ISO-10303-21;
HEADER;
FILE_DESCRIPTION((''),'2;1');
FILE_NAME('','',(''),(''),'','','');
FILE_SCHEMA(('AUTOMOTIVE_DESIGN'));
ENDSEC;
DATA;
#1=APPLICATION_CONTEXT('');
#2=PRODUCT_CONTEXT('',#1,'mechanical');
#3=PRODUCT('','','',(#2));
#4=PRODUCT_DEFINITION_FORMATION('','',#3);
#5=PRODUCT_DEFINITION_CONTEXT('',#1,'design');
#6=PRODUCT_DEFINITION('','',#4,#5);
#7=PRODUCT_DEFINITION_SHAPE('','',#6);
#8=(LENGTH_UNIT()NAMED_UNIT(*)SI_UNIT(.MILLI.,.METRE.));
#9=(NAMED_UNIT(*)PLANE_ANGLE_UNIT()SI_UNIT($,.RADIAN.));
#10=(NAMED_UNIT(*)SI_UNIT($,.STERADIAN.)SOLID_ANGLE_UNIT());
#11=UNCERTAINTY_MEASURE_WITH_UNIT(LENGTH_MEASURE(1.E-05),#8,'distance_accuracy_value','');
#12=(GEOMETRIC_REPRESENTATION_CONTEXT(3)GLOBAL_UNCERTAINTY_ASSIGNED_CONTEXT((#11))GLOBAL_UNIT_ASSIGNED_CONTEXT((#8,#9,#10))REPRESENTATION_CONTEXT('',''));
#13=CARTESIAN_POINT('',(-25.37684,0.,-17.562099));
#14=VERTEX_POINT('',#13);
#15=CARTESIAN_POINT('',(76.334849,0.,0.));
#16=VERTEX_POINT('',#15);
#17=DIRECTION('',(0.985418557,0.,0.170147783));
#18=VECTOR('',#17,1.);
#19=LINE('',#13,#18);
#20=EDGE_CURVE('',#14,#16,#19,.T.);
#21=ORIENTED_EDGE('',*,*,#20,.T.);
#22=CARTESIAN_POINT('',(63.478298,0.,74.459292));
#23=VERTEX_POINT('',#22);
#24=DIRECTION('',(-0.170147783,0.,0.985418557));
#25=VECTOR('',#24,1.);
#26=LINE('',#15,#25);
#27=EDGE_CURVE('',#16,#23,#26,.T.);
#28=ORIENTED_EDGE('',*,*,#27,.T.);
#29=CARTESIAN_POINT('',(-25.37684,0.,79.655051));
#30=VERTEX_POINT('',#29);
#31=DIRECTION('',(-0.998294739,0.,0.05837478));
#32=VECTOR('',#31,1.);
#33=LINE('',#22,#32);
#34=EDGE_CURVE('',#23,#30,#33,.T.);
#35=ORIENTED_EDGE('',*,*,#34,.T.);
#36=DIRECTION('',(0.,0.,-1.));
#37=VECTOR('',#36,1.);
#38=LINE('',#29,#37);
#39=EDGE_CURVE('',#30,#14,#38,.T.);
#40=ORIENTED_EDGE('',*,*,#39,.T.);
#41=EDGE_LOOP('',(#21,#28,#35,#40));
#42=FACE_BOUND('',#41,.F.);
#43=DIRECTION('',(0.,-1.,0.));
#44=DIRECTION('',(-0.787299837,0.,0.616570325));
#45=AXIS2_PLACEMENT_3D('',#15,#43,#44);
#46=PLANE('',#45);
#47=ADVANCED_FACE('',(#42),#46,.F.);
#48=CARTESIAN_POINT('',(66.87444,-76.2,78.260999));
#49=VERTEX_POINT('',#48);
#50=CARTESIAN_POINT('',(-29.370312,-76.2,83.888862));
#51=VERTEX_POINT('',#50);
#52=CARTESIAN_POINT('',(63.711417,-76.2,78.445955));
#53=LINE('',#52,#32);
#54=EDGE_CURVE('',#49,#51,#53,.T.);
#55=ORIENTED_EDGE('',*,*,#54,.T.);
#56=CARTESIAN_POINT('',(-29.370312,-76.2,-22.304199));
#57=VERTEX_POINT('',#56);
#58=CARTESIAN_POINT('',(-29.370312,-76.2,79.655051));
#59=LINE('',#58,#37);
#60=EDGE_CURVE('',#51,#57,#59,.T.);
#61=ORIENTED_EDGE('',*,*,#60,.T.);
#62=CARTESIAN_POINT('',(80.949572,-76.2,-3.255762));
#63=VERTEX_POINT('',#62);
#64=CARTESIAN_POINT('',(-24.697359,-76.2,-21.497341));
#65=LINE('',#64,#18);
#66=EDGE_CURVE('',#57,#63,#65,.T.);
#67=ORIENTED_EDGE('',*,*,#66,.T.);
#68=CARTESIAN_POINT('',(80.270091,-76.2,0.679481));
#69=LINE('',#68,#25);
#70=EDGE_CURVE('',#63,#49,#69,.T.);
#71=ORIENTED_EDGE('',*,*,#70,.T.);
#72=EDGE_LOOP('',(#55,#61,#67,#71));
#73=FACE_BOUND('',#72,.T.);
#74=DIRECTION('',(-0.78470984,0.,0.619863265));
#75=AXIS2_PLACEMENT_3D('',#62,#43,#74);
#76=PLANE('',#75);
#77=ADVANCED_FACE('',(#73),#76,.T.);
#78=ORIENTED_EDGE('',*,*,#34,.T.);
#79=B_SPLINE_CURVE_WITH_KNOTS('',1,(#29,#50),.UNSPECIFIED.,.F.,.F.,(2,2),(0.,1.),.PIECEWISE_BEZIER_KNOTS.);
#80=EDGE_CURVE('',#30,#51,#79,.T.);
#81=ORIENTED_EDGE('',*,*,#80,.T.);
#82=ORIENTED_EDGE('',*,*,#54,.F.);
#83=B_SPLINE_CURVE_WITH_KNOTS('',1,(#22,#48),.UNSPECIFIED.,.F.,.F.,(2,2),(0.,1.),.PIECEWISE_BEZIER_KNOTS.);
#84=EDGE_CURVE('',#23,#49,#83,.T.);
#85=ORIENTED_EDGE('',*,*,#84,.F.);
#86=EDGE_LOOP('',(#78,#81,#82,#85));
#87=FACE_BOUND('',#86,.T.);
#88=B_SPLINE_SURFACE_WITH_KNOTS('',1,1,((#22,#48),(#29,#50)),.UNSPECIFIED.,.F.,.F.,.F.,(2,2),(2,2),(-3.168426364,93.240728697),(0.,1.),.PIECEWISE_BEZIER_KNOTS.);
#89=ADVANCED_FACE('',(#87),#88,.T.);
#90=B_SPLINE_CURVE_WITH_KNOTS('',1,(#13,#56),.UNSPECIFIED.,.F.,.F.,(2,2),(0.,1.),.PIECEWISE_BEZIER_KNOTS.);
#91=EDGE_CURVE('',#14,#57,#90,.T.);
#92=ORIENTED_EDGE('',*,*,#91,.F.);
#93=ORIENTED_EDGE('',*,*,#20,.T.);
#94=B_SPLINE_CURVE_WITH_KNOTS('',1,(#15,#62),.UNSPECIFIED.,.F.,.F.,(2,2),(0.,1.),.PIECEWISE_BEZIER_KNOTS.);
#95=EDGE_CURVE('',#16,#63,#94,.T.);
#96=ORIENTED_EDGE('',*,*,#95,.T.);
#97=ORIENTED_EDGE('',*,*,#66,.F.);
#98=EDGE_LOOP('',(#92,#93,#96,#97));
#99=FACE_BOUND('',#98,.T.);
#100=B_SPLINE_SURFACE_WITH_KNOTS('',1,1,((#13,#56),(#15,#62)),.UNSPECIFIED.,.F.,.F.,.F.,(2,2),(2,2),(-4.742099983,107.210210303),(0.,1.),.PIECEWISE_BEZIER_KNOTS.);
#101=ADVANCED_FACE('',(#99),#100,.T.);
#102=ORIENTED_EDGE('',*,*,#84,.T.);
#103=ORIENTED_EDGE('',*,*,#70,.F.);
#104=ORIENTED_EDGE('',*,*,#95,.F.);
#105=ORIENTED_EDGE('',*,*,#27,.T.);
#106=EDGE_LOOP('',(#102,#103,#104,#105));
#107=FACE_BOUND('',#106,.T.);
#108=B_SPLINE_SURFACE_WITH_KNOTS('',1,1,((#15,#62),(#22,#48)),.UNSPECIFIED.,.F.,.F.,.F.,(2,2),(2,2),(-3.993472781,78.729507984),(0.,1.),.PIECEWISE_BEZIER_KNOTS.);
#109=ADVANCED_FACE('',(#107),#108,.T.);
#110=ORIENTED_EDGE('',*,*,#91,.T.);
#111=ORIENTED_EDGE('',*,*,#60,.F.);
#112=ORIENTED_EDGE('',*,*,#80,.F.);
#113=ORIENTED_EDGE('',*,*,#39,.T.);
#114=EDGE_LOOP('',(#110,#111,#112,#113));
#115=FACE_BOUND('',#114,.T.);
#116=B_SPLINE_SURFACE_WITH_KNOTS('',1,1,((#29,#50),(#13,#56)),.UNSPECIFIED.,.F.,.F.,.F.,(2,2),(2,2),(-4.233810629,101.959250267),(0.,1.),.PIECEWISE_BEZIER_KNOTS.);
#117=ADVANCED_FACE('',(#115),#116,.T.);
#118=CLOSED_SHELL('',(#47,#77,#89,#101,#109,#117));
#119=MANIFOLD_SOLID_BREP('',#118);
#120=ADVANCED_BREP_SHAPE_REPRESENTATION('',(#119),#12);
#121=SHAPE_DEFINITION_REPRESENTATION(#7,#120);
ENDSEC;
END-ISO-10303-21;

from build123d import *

# Parameters (mm, degrees)
F1_DEPTH = 76.2
F1_TAPER = -3


with BuildPart() as f1:
    # F0 (on Front) → F1 (new body)
    with BuildSketch(Plane.XZ):
        Polygon((76.334849, 0), (63.4782984853, 74.4592919946), (-25.3768395198, 79.6550512314), (-25.3768395198, -17.5620990525), align=None)
    extrude(amount=F1_DEPTH, taper=F1_TAPER)


solid = f1.part
